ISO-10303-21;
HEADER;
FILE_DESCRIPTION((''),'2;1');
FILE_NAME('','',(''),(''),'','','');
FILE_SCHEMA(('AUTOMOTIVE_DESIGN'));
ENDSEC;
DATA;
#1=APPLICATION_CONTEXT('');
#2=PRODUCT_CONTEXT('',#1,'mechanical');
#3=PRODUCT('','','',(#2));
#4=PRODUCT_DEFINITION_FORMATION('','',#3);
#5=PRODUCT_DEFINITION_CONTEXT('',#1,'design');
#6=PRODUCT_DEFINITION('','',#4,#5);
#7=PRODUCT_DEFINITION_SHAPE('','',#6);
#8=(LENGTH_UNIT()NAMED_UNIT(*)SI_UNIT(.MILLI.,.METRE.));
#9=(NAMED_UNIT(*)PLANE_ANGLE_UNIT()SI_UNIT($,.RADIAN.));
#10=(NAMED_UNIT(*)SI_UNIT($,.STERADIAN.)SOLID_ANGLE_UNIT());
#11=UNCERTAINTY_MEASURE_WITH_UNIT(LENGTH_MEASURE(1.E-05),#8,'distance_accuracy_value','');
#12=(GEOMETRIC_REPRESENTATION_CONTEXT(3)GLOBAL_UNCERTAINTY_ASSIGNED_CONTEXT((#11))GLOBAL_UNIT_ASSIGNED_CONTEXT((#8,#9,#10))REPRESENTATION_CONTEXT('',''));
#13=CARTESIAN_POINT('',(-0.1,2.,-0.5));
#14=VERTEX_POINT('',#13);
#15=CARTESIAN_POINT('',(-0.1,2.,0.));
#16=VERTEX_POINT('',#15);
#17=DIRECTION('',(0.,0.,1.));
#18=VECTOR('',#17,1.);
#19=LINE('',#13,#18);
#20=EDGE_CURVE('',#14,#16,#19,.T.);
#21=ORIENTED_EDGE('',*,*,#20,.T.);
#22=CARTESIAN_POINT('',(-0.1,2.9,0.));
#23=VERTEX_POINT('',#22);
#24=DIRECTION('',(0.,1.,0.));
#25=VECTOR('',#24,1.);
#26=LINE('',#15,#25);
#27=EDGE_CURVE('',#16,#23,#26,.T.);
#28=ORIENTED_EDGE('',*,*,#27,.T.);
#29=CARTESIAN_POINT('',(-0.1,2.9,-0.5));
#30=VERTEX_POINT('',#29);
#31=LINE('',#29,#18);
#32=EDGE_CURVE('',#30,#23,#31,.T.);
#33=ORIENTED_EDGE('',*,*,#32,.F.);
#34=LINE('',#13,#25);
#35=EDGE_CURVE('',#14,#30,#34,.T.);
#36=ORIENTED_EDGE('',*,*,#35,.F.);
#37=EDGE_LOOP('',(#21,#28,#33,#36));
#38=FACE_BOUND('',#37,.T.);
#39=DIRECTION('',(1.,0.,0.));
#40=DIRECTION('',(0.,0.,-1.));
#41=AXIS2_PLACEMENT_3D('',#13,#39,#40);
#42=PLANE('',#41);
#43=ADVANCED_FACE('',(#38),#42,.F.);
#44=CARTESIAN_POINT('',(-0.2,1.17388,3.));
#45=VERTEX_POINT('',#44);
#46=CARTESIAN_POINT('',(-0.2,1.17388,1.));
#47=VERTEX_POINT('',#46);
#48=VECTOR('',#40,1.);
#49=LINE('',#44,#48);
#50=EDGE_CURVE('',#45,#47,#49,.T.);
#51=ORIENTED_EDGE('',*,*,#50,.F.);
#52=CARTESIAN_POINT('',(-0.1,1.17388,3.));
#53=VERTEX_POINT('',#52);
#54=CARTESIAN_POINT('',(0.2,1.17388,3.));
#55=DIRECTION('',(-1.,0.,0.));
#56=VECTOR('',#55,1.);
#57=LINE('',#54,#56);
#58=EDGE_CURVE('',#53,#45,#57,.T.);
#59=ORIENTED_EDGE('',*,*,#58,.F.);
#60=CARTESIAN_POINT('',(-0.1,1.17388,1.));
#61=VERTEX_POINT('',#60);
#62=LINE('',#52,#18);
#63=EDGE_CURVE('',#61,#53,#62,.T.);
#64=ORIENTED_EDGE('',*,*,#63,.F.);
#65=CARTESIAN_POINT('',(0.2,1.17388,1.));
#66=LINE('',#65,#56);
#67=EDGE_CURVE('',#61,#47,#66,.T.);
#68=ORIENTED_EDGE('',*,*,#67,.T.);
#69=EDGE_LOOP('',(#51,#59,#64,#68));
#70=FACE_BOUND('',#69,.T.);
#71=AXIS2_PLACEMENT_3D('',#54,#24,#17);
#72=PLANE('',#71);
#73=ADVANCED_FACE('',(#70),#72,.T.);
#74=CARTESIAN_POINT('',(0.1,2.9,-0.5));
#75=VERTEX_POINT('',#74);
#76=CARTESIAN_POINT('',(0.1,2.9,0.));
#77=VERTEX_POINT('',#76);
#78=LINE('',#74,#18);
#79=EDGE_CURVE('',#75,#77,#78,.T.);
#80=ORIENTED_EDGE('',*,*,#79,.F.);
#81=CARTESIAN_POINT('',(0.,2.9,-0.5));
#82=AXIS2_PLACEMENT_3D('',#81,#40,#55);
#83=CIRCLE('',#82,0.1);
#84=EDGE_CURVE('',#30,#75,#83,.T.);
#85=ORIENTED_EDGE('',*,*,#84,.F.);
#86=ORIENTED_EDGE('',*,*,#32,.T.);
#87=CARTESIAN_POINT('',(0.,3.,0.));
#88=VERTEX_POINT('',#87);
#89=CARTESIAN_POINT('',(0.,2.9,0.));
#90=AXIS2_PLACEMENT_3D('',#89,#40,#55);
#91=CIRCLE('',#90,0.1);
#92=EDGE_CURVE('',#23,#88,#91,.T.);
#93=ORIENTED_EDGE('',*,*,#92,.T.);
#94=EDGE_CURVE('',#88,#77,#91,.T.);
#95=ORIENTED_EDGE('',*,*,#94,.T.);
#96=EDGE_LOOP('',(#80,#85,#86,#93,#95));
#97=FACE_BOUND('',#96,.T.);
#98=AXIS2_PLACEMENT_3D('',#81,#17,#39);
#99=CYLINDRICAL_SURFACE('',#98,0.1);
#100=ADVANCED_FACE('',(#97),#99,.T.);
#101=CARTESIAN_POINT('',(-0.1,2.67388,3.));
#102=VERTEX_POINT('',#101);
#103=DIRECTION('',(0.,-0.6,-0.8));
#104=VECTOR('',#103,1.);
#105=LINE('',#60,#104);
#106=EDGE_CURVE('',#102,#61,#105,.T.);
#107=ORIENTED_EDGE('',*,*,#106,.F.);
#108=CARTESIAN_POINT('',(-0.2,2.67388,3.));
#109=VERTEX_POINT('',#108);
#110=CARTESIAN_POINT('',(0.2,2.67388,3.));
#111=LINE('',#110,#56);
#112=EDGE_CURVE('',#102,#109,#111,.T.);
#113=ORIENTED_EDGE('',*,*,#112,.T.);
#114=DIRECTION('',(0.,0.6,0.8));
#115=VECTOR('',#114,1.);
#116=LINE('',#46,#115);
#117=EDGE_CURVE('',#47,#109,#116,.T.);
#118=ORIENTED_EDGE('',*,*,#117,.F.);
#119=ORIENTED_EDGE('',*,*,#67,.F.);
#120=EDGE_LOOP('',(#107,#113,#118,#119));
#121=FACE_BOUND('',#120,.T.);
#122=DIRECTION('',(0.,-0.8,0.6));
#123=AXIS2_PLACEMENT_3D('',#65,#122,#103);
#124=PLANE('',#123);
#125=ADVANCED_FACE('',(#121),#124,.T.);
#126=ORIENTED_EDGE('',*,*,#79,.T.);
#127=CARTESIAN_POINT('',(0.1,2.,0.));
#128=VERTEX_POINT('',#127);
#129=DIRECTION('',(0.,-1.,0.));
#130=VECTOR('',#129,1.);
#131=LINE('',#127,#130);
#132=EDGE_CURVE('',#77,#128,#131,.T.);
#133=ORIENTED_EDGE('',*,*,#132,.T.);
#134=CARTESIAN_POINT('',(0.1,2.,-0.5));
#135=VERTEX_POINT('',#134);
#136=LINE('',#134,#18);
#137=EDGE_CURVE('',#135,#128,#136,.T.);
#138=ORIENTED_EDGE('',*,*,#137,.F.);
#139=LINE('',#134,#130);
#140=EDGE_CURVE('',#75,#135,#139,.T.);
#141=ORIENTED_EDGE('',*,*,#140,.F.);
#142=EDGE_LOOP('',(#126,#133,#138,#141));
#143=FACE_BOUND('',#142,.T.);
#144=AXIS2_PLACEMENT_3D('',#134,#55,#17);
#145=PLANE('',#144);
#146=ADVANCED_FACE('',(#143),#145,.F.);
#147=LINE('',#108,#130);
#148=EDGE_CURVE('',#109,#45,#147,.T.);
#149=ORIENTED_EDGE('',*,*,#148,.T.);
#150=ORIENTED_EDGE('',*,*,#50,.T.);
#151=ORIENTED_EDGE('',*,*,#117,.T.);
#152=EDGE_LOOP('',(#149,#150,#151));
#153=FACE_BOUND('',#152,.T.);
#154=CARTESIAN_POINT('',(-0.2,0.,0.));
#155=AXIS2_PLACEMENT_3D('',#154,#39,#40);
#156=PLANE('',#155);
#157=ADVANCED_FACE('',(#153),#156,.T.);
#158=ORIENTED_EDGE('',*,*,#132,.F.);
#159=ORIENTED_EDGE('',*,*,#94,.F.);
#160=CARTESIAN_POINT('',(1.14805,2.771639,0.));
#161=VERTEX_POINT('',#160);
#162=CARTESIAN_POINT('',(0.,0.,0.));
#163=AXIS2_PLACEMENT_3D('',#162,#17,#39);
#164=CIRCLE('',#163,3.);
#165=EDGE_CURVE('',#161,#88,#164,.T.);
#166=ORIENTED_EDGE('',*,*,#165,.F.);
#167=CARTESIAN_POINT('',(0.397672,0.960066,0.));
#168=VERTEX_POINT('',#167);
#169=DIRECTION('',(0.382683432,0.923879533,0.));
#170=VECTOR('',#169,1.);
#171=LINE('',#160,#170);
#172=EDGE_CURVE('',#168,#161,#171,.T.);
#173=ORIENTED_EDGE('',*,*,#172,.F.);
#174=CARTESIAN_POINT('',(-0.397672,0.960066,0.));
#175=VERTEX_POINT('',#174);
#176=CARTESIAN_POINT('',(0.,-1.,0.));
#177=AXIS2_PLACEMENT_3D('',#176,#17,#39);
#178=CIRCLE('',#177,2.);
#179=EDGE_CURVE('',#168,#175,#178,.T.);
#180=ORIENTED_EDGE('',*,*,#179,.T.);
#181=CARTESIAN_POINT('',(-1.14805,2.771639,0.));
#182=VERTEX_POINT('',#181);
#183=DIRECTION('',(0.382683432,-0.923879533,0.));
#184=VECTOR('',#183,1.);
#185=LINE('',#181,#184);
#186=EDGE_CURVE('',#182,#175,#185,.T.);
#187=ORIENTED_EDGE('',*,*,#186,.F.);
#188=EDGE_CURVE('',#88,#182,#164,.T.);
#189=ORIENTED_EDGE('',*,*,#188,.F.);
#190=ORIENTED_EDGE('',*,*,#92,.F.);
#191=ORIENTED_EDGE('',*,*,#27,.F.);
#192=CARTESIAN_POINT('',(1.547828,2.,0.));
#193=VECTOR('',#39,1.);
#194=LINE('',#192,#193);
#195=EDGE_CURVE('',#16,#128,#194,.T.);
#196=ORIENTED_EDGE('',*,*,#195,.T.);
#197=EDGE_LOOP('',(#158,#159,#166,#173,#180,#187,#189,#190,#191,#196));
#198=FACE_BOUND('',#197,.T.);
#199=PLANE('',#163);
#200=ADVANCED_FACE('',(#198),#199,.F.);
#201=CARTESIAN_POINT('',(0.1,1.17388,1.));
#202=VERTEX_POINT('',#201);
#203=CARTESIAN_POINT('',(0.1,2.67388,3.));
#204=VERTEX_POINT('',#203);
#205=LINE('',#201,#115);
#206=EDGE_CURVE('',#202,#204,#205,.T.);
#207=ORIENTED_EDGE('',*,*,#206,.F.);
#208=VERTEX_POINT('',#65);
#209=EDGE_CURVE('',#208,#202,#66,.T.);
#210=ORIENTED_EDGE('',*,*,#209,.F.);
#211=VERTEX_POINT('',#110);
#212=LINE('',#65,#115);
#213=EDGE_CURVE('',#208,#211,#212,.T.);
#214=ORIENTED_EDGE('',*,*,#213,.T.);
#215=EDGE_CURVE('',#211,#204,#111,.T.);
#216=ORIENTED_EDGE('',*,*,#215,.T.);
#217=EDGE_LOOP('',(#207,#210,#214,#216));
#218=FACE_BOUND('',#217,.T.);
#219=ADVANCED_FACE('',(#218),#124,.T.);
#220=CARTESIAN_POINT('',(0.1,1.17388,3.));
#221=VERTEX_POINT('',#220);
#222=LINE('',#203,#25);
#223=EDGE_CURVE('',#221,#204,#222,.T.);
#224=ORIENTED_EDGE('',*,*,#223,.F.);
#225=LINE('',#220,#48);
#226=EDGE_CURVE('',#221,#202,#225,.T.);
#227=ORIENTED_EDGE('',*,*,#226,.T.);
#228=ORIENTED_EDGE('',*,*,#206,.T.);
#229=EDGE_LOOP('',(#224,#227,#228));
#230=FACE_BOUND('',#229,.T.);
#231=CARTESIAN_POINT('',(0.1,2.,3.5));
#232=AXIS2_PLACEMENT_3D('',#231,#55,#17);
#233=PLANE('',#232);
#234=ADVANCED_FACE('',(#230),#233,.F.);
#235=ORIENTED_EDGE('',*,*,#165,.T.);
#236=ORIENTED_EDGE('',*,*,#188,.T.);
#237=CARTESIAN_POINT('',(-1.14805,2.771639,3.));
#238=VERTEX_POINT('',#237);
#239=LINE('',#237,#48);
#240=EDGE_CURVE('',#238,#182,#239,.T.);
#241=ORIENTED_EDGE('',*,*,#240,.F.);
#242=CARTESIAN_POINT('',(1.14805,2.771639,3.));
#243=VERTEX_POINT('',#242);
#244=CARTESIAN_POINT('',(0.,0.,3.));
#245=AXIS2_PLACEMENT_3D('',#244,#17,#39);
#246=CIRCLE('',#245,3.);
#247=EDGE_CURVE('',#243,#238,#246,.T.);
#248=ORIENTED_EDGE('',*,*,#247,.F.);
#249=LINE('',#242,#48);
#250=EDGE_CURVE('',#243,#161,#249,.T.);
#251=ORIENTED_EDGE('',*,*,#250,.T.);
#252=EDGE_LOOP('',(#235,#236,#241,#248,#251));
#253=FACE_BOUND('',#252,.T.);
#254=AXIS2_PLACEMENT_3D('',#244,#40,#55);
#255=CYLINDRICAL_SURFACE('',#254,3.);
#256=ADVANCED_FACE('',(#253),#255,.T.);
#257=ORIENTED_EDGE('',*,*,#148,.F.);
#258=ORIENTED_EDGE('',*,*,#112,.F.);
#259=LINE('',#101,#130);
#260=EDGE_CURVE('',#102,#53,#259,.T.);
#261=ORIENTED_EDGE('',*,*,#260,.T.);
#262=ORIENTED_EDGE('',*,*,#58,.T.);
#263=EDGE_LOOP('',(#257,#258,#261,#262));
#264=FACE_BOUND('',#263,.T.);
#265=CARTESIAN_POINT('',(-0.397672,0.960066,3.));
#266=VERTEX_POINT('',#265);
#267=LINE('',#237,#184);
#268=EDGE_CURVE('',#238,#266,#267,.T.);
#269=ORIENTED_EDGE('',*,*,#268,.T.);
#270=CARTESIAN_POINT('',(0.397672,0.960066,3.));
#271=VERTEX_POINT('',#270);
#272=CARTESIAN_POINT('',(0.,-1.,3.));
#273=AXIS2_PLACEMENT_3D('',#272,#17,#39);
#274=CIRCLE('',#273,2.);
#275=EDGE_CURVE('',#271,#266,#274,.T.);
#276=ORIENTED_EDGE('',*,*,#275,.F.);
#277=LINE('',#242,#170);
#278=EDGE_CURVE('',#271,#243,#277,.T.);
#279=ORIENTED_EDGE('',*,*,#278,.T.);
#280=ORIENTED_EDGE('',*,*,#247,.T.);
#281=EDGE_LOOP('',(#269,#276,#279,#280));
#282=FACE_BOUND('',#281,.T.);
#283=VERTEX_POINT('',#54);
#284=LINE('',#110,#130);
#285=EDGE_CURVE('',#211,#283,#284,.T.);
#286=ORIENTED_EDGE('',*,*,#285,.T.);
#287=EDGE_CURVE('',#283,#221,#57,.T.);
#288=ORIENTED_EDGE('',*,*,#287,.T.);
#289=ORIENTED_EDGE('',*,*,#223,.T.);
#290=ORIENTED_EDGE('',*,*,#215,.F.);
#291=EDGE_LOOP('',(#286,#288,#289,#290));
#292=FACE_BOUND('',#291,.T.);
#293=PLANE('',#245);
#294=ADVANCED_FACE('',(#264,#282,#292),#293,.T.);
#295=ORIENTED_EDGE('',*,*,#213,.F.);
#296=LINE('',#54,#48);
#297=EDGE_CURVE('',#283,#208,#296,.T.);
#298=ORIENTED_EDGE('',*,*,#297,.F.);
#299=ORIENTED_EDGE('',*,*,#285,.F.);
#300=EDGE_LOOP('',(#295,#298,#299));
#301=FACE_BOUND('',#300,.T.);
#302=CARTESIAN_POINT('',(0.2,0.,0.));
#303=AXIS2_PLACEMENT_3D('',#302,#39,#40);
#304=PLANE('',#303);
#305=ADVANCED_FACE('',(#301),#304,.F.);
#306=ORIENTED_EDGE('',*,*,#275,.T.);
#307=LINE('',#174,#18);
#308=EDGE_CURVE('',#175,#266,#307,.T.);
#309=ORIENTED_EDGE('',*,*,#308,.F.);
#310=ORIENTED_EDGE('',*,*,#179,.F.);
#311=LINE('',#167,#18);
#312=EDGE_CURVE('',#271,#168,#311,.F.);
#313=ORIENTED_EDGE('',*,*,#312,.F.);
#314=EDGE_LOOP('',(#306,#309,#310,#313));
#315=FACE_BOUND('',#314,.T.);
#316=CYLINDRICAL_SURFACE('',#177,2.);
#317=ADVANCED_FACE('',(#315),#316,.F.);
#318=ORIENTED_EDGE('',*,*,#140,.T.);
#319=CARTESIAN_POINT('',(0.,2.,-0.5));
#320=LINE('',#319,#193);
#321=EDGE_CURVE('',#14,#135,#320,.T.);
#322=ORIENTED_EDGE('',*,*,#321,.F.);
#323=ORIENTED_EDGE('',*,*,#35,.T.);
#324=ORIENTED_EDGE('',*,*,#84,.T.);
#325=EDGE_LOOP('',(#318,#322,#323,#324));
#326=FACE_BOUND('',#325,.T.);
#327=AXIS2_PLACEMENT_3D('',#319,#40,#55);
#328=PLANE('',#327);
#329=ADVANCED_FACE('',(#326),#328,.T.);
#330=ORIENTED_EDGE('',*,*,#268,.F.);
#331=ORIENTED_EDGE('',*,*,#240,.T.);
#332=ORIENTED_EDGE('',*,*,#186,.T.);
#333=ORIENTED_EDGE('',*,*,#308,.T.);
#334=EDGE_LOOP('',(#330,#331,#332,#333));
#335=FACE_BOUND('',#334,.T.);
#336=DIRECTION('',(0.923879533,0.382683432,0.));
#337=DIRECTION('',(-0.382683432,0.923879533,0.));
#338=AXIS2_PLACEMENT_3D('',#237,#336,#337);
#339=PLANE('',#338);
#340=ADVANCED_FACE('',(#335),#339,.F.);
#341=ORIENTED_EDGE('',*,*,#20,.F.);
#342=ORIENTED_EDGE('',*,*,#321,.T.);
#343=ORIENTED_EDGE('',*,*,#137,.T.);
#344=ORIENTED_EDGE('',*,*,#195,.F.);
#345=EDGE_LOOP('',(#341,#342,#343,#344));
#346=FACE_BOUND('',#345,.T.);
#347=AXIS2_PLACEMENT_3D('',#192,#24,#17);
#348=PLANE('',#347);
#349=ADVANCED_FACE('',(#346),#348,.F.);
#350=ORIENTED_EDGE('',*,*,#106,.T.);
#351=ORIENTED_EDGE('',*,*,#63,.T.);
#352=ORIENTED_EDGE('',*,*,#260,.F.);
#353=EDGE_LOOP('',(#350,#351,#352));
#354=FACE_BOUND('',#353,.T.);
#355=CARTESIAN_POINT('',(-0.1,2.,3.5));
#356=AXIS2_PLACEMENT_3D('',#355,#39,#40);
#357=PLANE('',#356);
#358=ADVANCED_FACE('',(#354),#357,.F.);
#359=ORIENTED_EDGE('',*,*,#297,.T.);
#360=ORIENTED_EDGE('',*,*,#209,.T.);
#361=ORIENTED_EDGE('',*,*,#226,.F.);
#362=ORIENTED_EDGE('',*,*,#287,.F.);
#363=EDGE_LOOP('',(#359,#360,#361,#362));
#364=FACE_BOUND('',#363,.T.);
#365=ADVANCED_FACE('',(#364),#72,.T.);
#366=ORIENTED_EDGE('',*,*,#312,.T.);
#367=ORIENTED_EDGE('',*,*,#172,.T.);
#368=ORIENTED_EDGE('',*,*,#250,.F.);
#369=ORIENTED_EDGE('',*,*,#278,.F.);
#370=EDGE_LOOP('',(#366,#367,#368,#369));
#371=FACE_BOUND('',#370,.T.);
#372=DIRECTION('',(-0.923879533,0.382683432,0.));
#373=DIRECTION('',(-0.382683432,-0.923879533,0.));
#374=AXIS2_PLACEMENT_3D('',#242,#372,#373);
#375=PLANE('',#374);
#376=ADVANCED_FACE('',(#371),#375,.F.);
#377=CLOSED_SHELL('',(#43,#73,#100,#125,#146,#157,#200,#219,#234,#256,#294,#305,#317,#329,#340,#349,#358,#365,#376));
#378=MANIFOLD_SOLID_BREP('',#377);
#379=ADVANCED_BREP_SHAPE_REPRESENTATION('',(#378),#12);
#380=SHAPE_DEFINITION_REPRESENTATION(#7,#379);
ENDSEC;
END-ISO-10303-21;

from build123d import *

# Parameters (mm, degrees)
BOSS_EXTRUDE1_DEPTH     = 3
BOSS_EXTRUDE2_DEPTH     = 0.5
CUT_EXTRUDE1_DEPTH      = 0.1
CUT_EXTRUDE1_DEPTH_BACK = 0.3
SKETCH5_W               = 0.2
SKETCH5_H               = 1.5
BOSS_EXTRUDE3_DEPTH     = 3
BOSS_EXTRUDE4_START     = 0.5
BOSS_EXTRUDE4_DEPTH     = 0.5
SKETCH7_R               = 2
CUT_EXTRUDE2_DEPTH      = 3
SKETCH8_W               = 2.825057403
SKETCH8_H               = 1.13922334
CUT_EXTRUDE3_DEPTH      = 0.5
SKETCH9_W               = 2.979299044
SKETCH9_H               = 1.350290847
CUT_EXTRUDE4_DEPTH      = 0.5
SKETCH10_W              = 0.979929186
SKETCH10_H              = 2.841384628
CUT_EXTRUDE5_DEPTH      = 2


with BuildPart() as part:
    # Sketch1 → Boss-Extrude1 (new body)
    with BuildSketch(Plane.XY):
        with BuildLine():
            Line((1.148050297, 2.771638598), (0.382683432, 0.923879533))
            ThreePointArc((0.382683432, 0.923879533), (0, 1), (-0.382683432, 0.923879533))
            Line((-0.382683432, 0.923879533), (-1.148050297, 2.771638598))
            ThreePointArc((-1.148050297, 2.771638598), (0, 3), (1.148050297, 2.771638598))
        make_face()
    extrude(amount=BOSS_EXTRUDE1_DEPTH)

    # Sketch2 → Boss-Extrude2 (add)
    with BuildSketch(Plane.XY.offset(3)):
        with BuildLine():
            Line((-0.1, 2), (-0.1, 2.9))
            ThreePointArc((-0.1, 2.9), (0, 3), (0.1, 2.9))
            Line((0.1, 2.9), (0.1, 2))
            ThreePointArc((0.1, 2), (0, 1.9), (-0.1, 2))
        make_face()
    extrude(amount=BOSS_EXTRUDE2_DEPTH)

    # Sketch4 → Cut-Extrude1 (cut, two sides: drawn at the far end of the back side and taken through both)
    with BuildSketch(Plane(origin=(0.1, 0, 0), x_dir=(0, 0, -1), z_dir=(1, 0, 0)).offset(-CUT_EXTRUDE1_DEPTH_BACK)):
        Polygon((-3, 2.673879533), (-3, 1.173879533), (-1, 1.173879533), align=None)
    extrude(amount=CUT_EXTRUDE1_DEPTH + CUT_EXTRUDE1_DEPTH_BACK, mode=Mode.SUBTRACT)

    # Sketch5 → Boss-Extrude3 (add)
    with BuildSketch(Plane.XY.offset(3)):
        with Locations((0, 1.923879533)):
            Rectangle(SKETCH5_W, SKETCH5_H)
    extrude(amount=-BOSS_EXTRUDE3_DEPTH)

    # Sketch6 → Boss-Extrude4 (add)
    with BuildSketch(Plane(origin=(0, 0, 0), x_dir=(-1, 0, 0), z_dir=(0, 0, -1)).offset(BOSS_EXTRUDE4_START)):
        with BuildLine():
            Line((-0.1, 2), (-0.1, 2.9))
            ThreePointArc((-0.1, 2.9), (0, 3), (0.1, 2.9))
            Line((0.1, 2.9), (0.1, 2))
            ThreePointArc((0.1, 2), (0, 1.9), (-0.1, 2))
        make_face()
    extrude(amount=-BOSS_EXTRUDE4_DEPTH)

    # Sketch7 → Cut-Extrude2 (cut)
    with BuildSketch(Plane.XY.offset(3)):
        with Locations((0, -1)):
            Circle(SKETCH7_R)
    extrude(amount=-CUT_EXTRUDE2_DEPTH, mode=Mode.SUBTRACT)

    # Sketch8 → Cut-Extrude3 (cut)
    with BuildSketch(Plane.XY.offset(3.5)):
        with Locations((0.108239748, 1.43038833)):
            Rectangle(SKETCH8_W, SKETCH8_H)
    extrude(amount=-CUT_EXTRUDE3_DEPTH, mode=Mode.SUBTRACT)

    # Sketch9 → Cut-Extrude4 (cut)
    with BuildSketch(Plane(origin=(0, 0, -0.5), x_dir=(-1, 0, 0), z_dir=(0, 0, -1))):
        with Locations((-0.058178864, 1.324854576)):
            Rectangle(SKETCH9_W, SKETCH9_H)
    extrude(amount=-CUT_EXTRUDE4_DEPTH, mode=Mode.SUBTRACT)

    # Sketch10 → Cut-Extrude5 (cut)
    with BuildSketch(Plane(origin=(0.1, 0, 0), x_dir=(0, 0, -1), z_dir=(1, 0, 0))):
        with Locations((-3.489964593, 2.117386852)):
            Rectangle(SKETCH10_W, SKETCH10_H)
    extrude(amount=-CUT_EXTRUDE5_DEPTH, mode=Mode.SUBTRACT)


solid = part.part
